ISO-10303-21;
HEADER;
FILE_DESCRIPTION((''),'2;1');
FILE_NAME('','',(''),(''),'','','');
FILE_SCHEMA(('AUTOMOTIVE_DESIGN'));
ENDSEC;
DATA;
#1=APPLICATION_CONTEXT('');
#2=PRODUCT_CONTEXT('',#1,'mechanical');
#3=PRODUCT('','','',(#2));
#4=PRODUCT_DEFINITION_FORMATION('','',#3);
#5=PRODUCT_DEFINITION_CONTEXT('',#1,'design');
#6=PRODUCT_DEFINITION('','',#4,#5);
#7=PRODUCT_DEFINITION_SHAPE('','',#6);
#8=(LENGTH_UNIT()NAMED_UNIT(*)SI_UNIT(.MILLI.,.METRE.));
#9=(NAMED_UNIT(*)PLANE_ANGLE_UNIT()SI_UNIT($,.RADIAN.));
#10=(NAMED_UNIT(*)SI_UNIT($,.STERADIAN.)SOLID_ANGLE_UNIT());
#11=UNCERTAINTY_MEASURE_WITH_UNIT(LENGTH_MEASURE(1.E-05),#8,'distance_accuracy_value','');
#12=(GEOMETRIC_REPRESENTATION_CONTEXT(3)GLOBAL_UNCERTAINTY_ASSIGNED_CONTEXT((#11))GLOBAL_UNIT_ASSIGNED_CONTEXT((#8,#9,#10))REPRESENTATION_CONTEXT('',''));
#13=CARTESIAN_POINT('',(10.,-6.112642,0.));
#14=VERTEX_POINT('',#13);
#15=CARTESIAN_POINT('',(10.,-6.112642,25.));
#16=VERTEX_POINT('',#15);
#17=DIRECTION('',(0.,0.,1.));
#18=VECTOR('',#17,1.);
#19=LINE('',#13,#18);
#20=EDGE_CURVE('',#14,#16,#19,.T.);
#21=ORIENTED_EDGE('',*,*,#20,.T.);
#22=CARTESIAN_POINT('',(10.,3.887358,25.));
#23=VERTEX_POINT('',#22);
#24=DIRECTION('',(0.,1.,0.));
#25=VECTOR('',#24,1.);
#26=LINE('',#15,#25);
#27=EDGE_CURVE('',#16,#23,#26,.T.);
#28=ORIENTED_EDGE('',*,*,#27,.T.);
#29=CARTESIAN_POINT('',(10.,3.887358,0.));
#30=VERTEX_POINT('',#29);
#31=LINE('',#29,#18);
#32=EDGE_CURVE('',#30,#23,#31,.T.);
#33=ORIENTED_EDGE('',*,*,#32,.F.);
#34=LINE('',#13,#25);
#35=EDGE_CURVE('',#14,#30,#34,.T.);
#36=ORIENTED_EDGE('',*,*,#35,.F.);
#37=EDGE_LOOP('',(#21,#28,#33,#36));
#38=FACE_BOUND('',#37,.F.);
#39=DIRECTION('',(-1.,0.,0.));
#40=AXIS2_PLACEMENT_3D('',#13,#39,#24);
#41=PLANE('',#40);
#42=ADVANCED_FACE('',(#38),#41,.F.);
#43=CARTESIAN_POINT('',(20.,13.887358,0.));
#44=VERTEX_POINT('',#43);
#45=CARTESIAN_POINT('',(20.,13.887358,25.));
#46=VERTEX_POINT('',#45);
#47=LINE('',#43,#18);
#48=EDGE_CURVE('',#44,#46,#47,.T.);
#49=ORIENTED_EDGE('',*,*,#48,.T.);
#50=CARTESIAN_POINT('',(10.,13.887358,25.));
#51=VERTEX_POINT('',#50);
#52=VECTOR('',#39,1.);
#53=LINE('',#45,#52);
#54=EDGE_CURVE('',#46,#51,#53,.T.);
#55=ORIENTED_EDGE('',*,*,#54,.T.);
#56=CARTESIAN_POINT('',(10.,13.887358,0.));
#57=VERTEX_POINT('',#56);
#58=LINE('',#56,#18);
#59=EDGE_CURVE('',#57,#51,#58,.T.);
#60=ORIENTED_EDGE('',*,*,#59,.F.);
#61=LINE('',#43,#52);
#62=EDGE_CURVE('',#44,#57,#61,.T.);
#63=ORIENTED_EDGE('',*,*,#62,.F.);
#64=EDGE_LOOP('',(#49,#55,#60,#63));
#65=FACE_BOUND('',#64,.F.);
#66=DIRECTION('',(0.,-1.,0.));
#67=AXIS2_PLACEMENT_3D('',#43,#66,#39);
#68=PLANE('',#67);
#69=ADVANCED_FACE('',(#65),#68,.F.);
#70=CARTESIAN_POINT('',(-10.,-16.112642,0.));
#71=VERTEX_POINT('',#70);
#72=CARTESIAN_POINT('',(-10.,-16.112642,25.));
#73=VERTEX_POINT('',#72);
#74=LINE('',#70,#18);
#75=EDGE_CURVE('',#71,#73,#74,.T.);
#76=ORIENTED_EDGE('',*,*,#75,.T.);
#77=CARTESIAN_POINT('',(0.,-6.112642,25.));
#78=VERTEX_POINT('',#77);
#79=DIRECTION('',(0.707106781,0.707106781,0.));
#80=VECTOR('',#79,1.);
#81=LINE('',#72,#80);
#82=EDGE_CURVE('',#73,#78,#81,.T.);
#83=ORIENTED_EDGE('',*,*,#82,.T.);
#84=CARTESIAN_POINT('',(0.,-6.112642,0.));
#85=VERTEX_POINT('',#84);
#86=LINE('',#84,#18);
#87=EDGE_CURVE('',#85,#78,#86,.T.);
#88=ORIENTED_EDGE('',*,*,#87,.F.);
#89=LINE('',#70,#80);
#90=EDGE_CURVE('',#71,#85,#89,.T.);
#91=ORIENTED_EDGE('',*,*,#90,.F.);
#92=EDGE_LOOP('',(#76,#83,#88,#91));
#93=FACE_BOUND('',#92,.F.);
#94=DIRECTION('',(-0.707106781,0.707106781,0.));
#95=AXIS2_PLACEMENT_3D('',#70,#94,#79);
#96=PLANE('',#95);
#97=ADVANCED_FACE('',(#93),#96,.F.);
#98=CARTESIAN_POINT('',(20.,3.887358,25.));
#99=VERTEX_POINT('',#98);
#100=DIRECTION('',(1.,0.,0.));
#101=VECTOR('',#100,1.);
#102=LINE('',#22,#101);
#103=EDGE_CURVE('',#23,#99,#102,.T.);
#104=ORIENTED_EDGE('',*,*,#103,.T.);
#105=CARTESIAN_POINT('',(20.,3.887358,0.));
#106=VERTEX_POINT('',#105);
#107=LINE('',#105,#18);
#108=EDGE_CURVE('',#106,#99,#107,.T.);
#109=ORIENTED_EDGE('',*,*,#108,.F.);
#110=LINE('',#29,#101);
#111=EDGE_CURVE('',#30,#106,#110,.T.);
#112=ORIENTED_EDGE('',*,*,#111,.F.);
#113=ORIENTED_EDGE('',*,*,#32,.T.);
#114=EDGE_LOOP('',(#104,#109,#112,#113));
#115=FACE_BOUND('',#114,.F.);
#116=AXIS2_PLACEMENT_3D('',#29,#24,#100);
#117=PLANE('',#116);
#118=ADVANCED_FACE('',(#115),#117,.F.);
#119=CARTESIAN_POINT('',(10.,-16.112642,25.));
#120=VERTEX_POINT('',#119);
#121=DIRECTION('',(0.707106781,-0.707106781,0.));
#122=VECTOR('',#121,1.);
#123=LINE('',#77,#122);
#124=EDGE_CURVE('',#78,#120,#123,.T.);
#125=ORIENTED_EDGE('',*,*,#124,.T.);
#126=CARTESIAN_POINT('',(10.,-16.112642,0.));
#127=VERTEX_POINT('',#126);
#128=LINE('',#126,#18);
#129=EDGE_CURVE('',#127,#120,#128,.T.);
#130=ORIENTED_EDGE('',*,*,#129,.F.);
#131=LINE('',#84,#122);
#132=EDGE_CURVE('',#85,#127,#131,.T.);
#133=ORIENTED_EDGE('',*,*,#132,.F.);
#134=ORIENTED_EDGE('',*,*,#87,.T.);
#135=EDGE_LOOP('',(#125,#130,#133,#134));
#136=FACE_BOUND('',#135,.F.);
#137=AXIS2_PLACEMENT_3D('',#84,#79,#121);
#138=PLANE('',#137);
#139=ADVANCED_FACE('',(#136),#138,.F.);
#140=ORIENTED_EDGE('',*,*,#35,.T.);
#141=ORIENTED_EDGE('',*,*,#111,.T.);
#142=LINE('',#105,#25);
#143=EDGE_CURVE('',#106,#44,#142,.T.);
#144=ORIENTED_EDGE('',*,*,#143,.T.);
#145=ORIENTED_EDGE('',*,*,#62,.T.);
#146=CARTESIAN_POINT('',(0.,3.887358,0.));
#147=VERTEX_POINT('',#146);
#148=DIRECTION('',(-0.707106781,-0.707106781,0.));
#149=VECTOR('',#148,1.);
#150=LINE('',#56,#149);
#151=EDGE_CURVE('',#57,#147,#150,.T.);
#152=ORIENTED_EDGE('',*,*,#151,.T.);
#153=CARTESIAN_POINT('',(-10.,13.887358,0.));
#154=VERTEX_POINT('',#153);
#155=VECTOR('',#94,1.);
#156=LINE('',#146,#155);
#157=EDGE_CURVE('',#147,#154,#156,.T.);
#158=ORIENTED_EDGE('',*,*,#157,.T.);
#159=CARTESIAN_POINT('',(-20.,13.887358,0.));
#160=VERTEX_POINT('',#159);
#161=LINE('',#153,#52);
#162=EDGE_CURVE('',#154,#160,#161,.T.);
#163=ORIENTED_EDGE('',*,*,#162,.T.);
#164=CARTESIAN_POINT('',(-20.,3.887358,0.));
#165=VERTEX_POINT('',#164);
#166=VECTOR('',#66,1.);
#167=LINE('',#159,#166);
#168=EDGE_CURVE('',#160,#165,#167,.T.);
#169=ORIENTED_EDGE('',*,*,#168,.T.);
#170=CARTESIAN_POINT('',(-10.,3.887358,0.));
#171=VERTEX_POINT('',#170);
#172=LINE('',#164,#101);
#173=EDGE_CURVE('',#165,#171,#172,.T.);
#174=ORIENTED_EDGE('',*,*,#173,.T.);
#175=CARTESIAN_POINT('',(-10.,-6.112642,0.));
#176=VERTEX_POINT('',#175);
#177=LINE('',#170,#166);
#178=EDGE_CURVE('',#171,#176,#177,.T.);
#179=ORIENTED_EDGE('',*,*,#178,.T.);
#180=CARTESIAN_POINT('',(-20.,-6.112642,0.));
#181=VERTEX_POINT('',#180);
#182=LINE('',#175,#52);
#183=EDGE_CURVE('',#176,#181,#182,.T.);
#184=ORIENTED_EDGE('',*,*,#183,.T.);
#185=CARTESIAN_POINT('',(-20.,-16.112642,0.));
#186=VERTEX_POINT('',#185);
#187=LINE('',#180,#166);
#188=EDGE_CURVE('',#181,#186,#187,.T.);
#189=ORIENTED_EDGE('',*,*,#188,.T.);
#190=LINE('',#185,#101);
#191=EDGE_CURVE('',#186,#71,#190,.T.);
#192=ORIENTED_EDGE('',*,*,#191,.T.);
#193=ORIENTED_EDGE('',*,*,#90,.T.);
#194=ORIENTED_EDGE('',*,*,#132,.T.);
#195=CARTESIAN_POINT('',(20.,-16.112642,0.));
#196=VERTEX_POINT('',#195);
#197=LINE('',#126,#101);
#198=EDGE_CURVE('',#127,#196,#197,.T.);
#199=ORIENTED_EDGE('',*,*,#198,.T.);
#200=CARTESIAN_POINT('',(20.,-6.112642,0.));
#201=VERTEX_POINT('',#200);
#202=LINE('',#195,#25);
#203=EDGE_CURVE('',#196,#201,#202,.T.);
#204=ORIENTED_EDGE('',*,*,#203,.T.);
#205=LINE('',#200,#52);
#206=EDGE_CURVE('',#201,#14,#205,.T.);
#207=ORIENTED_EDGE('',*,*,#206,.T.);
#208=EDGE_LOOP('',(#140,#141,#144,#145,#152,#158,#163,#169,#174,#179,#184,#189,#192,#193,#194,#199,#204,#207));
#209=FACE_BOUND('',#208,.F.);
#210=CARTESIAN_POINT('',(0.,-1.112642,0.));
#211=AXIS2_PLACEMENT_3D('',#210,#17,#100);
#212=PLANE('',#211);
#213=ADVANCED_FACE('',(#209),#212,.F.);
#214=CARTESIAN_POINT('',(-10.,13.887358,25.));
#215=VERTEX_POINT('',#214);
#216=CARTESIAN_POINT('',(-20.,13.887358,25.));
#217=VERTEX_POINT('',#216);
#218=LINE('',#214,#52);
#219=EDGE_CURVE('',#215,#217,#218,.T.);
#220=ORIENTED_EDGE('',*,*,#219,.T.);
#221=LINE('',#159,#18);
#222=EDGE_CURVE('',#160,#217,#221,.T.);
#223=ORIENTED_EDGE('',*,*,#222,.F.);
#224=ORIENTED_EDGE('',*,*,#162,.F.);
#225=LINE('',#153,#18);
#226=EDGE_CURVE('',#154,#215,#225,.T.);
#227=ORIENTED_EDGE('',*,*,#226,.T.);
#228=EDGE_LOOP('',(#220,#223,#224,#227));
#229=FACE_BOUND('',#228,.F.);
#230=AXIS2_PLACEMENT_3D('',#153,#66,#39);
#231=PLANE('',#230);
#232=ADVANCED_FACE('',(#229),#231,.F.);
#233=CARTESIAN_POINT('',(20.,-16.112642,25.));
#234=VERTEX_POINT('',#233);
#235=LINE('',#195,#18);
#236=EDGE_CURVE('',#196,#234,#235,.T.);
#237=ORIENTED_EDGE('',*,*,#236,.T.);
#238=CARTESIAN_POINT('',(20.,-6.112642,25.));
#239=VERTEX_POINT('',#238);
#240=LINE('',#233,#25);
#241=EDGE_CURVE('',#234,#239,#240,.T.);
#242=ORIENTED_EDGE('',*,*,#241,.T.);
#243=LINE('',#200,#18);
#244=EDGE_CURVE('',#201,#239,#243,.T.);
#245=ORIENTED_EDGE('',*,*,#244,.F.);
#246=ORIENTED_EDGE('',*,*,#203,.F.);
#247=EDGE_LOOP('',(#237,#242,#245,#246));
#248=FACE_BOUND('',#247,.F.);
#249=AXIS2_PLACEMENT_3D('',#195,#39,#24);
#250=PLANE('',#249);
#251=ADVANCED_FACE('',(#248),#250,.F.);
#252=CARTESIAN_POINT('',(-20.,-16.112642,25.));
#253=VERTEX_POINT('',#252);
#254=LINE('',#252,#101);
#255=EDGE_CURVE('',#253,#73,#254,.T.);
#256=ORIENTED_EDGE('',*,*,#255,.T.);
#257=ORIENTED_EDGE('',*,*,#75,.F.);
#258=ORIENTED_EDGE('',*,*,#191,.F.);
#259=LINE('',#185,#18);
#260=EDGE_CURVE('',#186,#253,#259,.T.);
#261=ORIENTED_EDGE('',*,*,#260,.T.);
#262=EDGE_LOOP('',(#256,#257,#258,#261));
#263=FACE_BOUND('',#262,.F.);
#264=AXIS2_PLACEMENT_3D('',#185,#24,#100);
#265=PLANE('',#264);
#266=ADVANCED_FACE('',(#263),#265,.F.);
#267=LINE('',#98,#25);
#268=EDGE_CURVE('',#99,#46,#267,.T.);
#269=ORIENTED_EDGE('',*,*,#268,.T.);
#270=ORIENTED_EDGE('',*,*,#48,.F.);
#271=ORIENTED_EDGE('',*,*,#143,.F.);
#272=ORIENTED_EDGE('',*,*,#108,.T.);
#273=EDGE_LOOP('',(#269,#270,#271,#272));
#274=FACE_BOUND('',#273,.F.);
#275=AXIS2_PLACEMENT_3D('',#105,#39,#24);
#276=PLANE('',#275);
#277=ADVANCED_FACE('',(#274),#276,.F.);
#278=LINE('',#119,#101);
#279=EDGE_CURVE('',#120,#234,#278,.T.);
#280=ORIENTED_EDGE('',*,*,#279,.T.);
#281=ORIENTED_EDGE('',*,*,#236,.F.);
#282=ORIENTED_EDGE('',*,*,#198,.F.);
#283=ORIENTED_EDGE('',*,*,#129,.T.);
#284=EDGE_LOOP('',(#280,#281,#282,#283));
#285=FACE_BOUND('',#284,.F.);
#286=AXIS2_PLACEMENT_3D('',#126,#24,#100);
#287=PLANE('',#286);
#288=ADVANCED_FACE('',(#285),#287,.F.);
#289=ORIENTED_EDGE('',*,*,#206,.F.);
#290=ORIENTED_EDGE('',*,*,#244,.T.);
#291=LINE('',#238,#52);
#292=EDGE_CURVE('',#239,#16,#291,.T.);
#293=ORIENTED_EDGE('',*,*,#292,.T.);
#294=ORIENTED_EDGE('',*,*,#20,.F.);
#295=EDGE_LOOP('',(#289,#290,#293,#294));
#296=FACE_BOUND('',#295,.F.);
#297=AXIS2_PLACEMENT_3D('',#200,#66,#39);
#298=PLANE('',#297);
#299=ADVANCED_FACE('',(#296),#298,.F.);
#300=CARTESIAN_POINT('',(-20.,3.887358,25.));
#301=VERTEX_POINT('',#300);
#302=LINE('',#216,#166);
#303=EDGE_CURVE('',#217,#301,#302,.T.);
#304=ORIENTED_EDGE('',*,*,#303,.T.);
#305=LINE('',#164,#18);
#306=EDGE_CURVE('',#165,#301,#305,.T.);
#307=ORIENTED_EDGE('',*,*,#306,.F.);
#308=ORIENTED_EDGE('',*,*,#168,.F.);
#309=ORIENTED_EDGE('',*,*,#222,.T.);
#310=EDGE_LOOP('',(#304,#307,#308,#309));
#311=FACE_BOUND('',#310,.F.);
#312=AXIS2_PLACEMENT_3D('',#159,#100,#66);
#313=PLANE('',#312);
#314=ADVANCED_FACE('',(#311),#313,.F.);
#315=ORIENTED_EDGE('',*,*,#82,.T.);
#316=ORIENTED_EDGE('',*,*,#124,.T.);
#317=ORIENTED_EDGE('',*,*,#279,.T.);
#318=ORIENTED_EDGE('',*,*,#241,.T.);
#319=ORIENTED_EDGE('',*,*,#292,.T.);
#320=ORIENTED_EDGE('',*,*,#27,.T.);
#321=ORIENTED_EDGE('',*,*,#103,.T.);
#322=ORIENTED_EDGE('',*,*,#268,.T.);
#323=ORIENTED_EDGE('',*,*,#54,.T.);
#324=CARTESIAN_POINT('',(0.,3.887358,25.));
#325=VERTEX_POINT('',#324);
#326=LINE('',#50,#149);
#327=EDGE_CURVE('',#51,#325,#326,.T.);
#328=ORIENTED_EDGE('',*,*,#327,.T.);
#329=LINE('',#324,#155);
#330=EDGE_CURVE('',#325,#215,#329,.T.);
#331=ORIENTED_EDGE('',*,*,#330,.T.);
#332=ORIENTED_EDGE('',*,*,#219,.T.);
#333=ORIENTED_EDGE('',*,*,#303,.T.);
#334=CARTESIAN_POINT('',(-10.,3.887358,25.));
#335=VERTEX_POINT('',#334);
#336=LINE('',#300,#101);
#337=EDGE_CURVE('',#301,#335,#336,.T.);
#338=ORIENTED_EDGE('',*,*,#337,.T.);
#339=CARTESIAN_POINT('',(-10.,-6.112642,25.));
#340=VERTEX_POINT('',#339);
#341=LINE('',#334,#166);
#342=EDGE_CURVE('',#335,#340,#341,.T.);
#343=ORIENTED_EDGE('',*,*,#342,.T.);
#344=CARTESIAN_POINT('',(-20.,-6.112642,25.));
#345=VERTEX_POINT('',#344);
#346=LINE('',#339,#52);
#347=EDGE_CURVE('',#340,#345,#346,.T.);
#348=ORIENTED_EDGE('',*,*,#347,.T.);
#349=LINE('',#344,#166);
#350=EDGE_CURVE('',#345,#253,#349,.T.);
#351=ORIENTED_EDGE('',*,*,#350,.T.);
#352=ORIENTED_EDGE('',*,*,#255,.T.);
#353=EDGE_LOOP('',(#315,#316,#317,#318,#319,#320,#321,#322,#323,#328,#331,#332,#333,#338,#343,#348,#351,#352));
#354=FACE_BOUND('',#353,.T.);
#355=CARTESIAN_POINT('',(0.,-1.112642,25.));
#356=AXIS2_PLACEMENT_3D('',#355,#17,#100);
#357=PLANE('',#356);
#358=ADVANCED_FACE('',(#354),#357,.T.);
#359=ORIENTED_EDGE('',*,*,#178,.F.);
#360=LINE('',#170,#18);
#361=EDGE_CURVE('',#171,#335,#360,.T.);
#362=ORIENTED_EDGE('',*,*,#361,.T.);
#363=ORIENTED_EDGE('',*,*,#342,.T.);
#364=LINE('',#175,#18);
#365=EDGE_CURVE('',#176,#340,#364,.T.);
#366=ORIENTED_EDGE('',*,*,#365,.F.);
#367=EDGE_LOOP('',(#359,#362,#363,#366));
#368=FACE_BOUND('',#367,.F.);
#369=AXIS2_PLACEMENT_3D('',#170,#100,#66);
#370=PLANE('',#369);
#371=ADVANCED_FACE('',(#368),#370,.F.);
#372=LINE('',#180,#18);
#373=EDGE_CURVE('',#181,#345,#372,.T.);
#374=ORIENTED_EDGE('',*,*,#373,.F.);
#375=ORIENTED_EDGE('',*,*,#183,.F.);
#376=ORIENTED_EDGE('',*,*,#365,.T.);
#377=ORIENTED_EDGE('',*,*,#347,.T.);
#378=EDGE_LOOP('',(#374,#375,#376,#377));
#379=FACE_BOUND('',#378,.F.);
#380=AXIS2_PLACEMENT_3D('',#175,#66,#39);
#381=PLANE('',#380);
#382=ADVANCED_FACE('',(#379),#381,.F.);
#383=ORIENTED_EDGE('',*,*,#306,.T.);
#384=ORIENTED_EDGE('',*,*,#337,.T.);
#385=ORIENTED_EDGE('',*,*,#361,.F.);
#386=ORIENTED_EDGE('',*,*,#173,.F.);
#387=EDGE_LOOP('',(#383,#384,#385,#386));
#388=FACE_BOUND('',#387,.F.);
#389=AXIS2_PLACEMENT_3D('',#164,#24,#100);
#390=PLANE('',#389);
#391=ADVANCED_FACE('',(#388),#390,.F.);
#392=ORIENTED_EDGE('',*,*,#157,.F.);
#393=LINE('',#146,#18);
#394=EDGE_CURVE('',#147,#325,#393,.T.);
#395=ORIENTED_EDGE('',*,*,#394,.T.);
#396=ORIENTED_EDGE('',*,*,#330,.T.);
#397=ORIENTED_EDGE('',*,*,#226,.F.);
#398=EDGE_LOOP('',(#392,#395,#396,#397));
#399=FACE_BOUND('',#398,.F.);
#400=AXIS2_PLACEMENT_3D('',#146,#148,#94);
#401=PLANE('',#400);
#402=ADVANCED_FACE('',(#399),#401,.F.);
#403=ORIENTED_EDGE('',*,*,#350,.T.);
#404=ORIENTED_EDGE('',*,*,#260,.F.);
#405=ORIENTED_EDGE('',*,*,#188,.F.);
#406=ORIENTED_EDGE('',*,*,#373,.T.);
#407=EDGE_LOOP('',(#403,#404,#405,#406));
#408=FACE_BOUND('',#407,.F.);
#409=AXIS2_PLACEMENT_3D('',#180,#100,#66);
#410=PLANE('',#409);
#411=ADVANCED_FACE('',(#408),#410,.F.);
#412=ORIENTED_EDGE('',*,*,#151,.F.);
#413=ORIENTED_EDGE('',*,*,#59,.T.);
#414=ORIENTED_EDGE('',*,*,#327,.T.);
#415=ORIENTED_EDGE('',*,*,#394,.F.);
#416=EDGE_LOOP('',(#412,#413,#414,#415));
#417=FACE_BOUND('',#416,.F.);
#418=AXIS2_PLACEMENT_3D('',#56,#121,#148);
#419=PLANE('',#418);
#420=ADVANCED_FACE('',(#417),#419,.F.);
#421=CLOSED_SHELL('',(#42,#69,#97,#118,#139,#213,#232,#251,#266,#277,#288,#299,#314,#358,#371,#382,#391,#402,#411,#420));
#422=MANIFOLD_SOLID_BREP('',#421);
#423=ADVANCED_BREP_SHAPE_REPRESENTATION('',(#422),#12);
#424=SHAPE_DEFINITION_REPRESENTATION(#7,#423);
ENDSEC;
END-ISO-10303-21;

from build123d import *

# Parameters (mm, degrees)
F1_DEPTH = 25


with BuildPart() as f1:
    # F0 (on Top) → F1 (new body)
    with BuildSketch(Plane.XY):
        Polygon((-10, 13.887358), (-20, 13.887358), (-20, 3.887358), (-10, 3.887358), (-10, -6.112642), (-20, -6.112642), (-20, -16.112642), (-10, -16.112642), (0, -6.112642), (10, -16.112642), (20, -16.112642), (20, -6.112642), (10, -6.112642), (10, 3.887358), (20, 3.887358), (20, 13.887358), (10, 13.887358), (0, 3.887358), align=None)
    extrude(amount=F1_DEPTH)


solid = f1.part
